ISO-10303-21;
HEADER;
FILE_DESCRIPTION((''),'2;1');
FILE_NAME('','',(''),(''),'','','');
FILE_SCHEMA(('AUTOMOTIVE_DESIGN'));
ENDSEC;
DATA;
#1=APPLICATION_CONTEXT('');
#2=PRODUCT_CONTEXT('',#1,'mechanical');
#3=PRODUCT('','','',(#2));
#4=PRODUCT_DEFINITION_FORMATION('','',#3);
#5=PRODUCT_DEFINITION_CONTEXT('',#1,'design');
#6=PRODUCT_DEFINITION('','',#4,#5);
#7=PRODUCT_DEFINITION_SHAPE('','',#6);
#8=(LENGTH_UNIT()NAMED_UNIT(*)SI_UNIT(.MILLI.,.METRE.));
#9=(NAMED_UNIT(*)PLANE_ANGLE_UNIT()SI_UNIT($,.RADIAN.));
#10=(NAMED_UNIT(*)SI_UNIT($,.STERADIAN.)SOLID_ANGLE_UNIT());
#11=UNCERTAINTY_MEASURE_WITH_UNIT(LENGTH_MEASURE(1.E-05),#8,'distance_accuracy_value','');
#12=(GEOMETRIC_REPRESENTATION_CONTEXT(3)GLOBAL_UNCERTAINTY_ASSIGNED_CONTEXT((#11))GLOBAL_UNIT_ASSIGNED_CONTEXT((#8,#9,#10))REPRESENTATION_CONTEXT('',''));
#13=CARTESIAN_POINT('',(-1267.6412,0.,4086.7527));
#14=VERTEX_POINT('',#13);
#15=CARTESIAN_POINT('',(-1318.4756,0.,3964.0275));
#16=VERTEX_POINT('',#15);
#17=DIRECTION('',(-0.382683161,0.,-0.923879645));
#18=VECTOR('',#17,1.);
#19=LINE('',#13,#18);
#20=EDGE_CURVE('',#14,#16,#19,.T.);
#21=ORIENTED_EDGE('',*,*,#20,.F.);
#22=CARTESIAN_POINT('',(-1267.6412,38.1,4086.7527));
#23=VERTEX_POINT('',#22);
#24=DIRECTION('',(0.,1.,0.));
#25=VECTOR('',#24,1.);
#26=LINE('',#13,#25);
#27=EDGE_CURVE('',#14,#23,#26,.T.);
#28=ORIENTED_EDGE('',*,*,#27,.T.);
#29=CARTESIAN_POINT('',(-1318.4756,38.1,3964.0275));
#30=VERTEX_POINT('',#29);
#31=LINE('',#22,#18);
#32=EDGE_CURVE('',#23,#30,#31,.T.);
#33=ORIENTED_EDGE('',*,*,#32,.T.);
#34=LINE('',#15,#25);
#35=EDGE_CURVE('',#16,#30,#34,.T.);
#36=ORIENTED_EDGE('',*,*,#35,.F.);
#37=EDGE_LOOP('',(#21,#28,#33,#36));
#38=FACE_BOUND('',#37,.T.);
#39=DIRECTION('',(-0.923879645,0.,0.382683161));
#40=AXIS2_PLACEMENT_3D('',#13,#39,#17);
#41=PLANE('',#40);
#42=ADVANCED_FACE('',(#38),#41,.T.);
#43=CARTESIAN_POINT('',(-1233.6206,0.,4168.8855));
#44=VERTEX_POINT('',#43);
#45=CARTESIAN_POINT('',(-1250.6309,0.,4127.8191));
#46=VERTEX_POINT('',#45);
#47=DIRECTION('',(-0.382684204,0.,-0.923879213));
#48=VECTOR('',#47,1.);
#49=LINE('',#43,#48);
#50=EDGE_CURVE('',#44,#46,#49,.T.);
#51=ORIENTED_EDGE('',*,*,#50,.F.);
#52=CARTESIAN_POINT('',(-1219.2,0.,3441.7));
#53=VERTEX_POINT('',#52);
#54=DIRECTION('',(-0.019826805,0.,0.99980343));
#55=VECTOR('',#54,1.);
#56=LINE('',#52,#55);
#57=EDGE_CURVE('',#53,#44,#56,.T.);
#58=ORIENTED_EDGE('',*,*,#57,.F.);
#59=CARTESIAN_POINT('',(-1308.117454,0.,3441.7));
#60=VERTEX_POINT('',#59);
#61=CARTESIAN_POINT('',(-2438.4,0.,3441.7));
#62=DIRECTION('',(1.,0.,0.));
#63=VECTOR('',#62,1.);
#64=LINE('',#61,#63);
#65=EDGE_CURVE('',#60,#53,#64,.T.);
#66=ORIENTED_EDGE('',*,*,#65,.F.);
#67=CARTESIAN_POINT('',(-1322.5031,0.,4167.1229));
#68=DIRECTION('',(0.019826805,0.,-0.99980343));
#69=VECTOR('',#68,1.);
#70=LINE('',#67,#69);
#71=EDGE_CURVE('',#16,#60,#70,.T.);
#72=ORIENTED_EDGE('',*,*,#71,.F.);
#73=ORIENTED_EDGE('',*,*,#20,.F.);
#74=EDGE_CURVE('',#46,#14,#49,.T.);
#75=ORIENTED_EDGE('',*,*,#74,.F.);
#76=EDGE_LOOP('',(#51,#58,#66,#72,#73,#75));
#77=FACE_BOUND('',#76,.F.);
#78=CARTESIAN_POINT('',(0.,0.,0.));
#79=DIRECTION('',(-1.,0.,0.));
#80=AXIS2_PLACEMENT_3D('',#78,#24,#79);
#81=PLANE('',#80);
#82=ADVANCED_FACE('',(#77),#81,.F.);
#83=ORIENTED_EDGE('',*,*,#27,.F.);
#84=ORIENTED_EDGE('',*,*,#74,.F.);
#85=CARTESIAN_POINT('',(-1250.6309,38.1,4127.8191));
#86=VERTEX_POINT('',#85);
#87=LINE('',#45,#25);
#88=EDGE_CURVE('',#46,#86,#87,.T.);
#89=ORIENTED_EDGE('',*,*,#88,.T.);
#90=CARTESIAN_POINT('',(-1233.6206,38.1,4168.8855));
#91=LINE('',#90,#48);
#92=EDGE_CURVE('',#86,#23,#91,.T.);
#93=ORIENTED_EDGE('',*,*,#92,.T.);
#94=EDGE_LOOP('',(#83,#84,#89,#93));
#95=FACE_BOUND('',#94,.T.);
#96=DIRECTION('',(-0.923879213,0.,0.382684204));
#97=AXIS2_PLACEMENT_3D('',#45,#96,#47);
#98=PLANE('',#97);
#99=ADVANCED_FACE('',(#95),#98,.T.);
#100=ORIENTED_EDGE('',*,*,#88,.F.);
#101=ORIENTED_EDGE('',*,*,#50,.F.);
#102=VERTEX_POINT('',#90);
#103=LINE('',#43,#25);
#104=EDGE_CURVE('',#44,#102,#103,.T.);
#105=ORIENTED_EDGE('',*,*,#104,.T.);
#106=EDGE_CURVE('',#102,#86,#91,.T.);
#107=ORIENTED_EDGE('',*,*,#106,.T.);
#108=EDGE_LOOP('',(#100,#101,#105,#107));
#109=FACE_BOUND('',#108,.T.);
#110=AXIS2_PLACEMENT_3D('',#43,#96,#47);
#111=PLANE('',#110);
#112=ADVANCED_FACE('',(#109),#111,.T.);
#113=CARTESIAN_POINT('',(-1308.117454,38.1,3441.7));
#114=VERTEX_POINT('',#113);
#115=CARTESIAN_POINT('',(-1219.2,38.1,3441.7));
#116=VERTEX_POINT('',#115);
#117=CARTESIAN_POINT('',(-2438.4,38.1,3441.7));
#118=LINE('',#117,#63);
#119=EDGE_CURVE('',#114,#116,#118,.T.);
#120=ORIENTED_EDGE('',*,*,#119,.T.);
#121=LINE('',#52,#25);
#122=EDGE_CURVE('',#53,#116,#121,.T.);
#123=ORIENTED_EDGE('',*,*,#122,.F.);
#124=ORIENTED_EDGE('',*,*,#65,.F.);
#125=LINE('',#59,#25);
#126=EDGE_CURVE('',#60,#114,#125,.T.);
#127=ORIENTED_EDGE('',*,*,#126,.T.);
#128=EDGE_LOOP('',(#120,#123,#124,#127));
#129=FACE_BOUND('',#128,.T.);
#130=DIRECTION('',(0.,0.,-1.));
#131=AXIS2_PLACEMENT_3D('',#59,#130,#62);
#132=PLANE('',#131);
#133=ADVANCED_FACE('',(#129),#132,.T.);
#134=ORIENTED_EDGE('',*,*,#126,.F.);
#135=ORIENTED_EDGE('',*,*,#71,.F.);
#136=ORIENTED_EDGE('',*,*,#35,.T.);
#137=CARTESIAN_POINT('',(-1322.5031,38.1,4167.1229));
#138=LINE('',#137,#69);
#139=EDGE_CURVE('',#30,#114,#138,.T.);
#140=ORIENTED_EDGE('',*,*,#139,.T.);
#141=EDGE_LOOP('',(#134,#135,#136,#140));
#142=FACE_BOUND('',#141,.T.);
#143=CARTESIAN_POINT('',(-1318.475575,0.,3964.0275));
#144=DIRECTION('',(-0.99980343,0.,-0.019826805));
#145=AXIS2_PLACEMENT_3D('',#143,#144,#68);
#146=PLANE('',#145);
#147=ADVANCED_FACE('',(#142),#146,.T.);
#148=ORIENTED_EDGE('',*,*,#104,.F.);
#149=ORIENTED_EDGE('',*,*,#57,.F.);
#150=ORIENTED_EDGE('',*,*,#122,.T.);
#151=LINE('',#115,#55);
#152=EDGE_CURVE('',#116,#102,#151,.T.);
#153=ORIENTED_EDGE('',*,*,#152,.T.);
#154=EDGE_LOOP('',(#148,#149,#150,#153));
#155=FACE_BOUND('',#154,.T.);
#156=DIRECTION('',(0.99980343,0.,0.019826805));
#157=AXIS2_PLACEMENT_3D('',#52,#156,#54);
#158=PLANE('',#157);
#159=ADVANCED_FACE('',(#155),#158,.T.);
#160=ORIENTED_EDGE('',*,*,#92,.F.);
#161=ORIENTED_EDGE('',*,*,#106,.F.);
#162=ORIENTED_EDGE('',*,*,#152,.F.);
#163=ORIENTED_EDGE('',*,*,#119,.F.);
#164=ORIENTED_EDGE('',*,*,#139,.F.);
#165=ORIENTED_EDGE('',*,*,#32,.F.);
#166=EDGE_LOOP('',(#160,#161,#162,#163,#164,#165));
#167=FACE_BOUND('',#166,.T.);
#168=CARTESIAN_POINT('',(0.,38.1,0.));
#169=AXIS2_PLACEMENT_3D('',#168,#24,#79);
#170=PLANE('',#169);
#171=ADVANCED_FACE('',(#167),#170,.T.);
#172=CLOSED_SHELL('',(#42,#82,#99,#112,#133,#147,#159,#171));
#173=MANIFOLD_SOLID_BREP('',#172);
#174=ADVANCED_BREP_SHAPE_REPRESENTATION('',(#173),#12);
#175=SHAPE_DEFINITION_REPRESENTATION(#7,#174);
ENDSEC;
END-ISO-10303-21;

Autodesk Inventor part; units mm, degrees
ref_plane "YZ Plane" through (0, 0, 0) normal (1, 0, 0) x (0, 1, 0)
ref_plane "XZ Plane" through (0, 0, 0) normal (0, 1, 0) x (-1, 0, 0)
ref_plane "XY Plane" through (0, 0, 0) normal (0, 0, 1) x (1, 0, 0)
sketch "Sketch1" plane through (0, 0, 0) normal (0, 1, 0) x (-1, 0, 0)
  line L0 (0, 0) -> (0, -1219.2)
  line L1 (0, 0) -> (88.9, 0)
  line L2 (88.9, 0) -> (88.9, -1219.2)
  line L3 (88.9, -1219.2) -> (0, -1219.2)
  line L4 (0, 0) -> (0, 1219.2) construction
  line L5 (0, 1219.2) -> (1219.2, 1219.2) construction
  line L6 (0, 1219.2) -> (0, 3657.6) construction
  line L7 (0, 3657.6) -> (0, 4876.8) construction
  line L8 (0, 4876.8) -> (0, 6096) construction
  line L9 (0, -1219.2) -> (2438.4, -1219.2) construction
  line L10 (0, 6096) -> (2438.4, 6096) construction
  line L11 (2438.4, 6096) -> (2438.4, -1219.2) construction
  line L12 (0, 3657.6) -> (0, 3352.8) construction
  line L13 (0, 3352.8) -> (2438.4, 3352.8) construction
  line L14 (2438.4, 3352.8) -> (1219.2, 3352.8)
  line L15 (1219.2, 3352.8) -> (1219.2, 3263.9)
  line L16 (1219.2, 3263.9) -> (2438.4, 3263.9)
  line L17 (2438.4, 3263.9) -> (2438.4, 3352.8)
  line L18 (0, 6096) -> (862.1046, 6958.1046)
  line L19 (862.1046, 6958.1046) -> (924.9664, 6895.2428)
  line L20 (924.9664, 6895.2428) -> (62.8618, 6033.1382)
  line L21 (62.8618, 6033.1382) -> (0, 6096)
  line L22 (0, 4876.8) -> (1219.2, 4876.8) construction
  line L23 (1219.2, 4876.8) -> (2081.3046, 5738.9046)
  line L24 (1219.2, 1219.2) -> (2081.3046, 357.0954)
  line L25 (2081.3046, 357.0954) -> (2018.4428, 294.2336)
  line L26 (2018.4428, 294.2336) -> (1156.3382, 1156.3382)
  line L27 (1156.3382, 1156.3382) -> (1219.2, 1219.2)
  line L28 (2018.4428, 294.2336) -> (88.9, -1219.2)
  line L29 (2081.3046, 357.0954) -> (2144.1664, 419.9572)
  line L30 (2144.1664, 419.9572) -> (1282.0618, 1282.0618)
  line L31 (1282.0618, 1282.0618) -> (1219.2, 1219.2)
  line L32 (2438.4, 3352.8) -> (2438.4, 3441.7)
  line L33 (2438.4, 3441.7) -> (1219.2, 3441.7)
  line L34 (1219.2, 3441.7) -> (1219.2, 3352.8)
  line L35 (1156.3382, 4939.6618) -> (1282.0618, 4813.9382)
  line L36 (2018.4428, 5801.7664) -> (2144.1664, 5676.0428)
  line L37 (1282.0618, 4813.9382) -> (2144.1664, 5676.0428)
  line L38 (2018.4428, 5801.7664) -> (1156.3382, 4939.6618)
  line L39 (2018.4428, 5801.7664) -> (924.9664, 6895.2428)
  line L40 (62.8618, 6033.1382) -> (1156.3382, 4939.6618)
  line L41 (1233.6206, 4168.8855) -> (1267.6412, 4086.7527)
  line L42 (1263.7078, 2313.9849) -> (1230.0006, 2231.7229)
  arc A0 (862.1046, 6958.1046) -> (0, 6096) centre (431.0523, 6527.0523) ccw
  line L43 (1246.8542, 2272.8539) -> (2375.0183, 1810.583)
  line L44 (2391.8719, 1851.7139) -> (2358.1646, 1769.452)
  line L45 (2391.8719, 1851.7139) -> (1263.7078, 2313.9849)
  line L46 (1230.0006, 2231.7229) -> (2358.1646, 1769.452)
  line L47 (1230.0006, 2231.7229) -> (1219.2, 3263.9)
  line L48 (2144.1664, 419.9572) -> (2391.8719, 1851.7139)
  line L49 (2391.8719, 1851.7139) -> (2438.4, 3263.9)
  line L50 (1219.2, 3441.7) -> (1233.6206, 4168.8855)
  line L51 (1250.6309, 4127.8191) -> (2377.0248, 4594.3867)
  line L52 (2360.0145, 4635.4532) -> (2394.0351, 4553.3203)
  line L53 (2394.0351, 4553.3203) -> (1267.6412, 4086.7527)
  line L54 (2360.0145, 4635.4532) -> (1233.6206, 4168.8855)
  line L55 (2394.0351, 4553.3203) -> (2144.1664, 5676.0428)
  line L56 (2438.4, 3441.7) -> (2394.0351, 4553.3203)
  line L57 (2144.1664, 5676.0428) -> (2057.3895, 5656.7301)
  line L58 (2394.0351, 4553.3203) -> (2305.2058, 4549.7751)
  line L59 (2394.0351, 4553.3203) -> (2307.2582, 4534.0076)
  line L60 (2307.2582, 4534.0076) -> (2057.3895, 5656.7301)
  line L61 (2438.4, 3441.7) -> (2349.5707, 3438.1548)
  line L62 (2349.5707, 3438.1548) -> (2305.2058, 4549.7751)
  line L63 (1219.2, 3441.7) -> (1308.0825, 3439.9374)
  line L64 (1233.6206, 4168.8855) -> (1322.5031, 4167.1229)
  line L65 (1322.5031, 4167.1229) -> (1308.0825, 3439.9374)
  line L66 (2018.4428, 5801.7664) -> (1955.581, 5738.9046)
  line L67 (1955.581, 5738.9046) -> (862.1046, 6832.381)
  line L68 (924.9664, 6895.2428) -> (862.1046, 6832.381)
  line L69 (62.8618, 6033.1382) -> (125.7236, 6096)
  line L70 (62.8618, 6033.1382) -> (125.7236, 6096)
  line L71 (125.7236, 6096) -> (1219.2, 5002.5236)
  line L72 (1156.3382, 1156.3382) -> (0, 0)
  line L73 (0, 0) -> (62.8618, -62.8618)
  line L74 (1156.3382, 1156.3382) -> (1219.2, 1093.4764)
  line L75 (1219.2, 1093.4764) -> (62.8618, -62.8618)
  line L76 (2018.4428, 294.2336) -> (1963.5776, 364.1837)
  line L77 (88.9, -1219.2) -> (34.0348, -1149.2499)
  line L78 (34.0348, -1149.2499) -> (1963.5776, 364.1837)
  line L79 (2144.1664, 419.9572) -> (2056.5677, 435.1125)
  line L80 (2391.8719, 1851.7139) -> (2304.2732, 1866.8692)
  line L81 (2391.8719, 1851.7139) -> (2303.0201, 1854.6414)
  line L82 (2304.2732, 1866.8692) -> (2056.5677, 435.1125)
  line L83 (1230.0006, 2231.7229) -> (1318.8957, 2232.6531)
  line L84 (1219.2, 3263.9) -> (1308.0951, 3264.8302)
  line L85 (1308.0951, 3264.8302) -> (1318.8957, 2232.6531)
  line L86 (2438.4, 3263.9) -> (2349.5482, 3266.8275)
  line L87 (2349.5482, 3266.8275) -> (2303.0201, 1854.6414)
  line L88 (88.9, 0) -> (125.7236, 0)
  line L89 (1233.6206, 4168.8855) -> (1219.2, 4876.8)
  line L90 (1233.6206, 4168.8855) -> (1322.5022, 4170.6961)
  line L91 (1219.2, 4876.8) -> (1308.0816, 4878.6106)
  line L92 (1308.0816, 4878.6106) -> (1322.5022, 4170.6961)
  line L93 (1282.0618, 4813.9382) -> (1309.9674, 4786.0326)
  line L94 (1267.6412, 4086.7527) -> (1318.4756, 3964.0275)
  line L95 (2360.0145, 4635.4532) -> (2374.4273, 4641.4231)
  line L96 (1230.0006, 2231.7229) -> (1219.2, 1219.2)
  line L97 (1230.0006, 2231.7229) -> (1318.8955, 2230.7747)
  line L98 (1219.2, 1219.2) -> (1308.0949, 1218.2518)
  line L99 (1308.0949, 1218.2518) -> (1318.8955, 2230.7747)
  line L100 (1282.0618, 1282.0618) -> (1309.0636, 1309.0636)
  line L101 (1263.7078, 2313.9849) -> (1316.7428, 2438.4)
  line L102 (2358.1646, 1769.452) -> (2376.5379, 1763.082)
  point P0 (1770.957, 2057.4547)
  point P1 (1955.1236, 357.5528)
  point P2 (88.9, -1106.2164)
  point P3 (2292.1025, 1796.5213)
  point P4 (2067.2525, 496.8711)
  point P5 (1318.5187, 2195.4522)
  point P6 (1308.1049, 3263.9)
  point P7 (2349.4518, 3263.9)
  point P8 (2304.1085, 1887.6754)
  point P9 (2306.5112, 4517.0667)
  point P10 (2349.4292, 3441.7)
  point P11 (1308.1175, 3441.7)
  dimension "d0" = 1219.2
  dimension "d2" = 1219.2
  dimension "d3" = 1219.2
  dimension "d16" = 2438.4
  dimension "d17" = 1219.2
  dimension "d18" = 1219.2
  dimension "d20" = 2438.4
  dimension "d21" = 304.8
  dimension "d22" = 1219.2
  dimension "d23" = 88.9
  dimension "d24" = 1219.2
  dimension "d25" = 45
  dimension "d26" = 88.9
  dimension "d27" = 1219.2
  dimension "d28" = 1219.2
  dimension "d29" = 1219.2
  dimension "d31" = 1219.2
  dimension "d32" = 88.9
  dimension "d33" = 88.9
  dimension "d34" = 88.9
  dimension "d35" = 177.8
  dimension "d36" = 177.8
  dimension "d38" = 88.9
  dimension "d39" = 88.9
  dimension "d43" = 1219.2
  dimension "d44" = 88.9
  dimension "d45" = 1219.2
  dimension "d46" = 88.9
  dimension "d47" = 88.9
  dimension "d48" = 88.9
  dimension "d49" = 88.9
  dimension "d50" = 88.9
  dimension "d51" = 88.9
  dimension "d54" = 88.9
  dimension "d55" = 88.9
  dimension "d57" = 88.9
  dimension "d58" = 88.9
  dimension "d59" = 88.9
  dimension "d60" = 88.9
  dimension "d61" = 88.9
  dimension "d64" = 88.9
  dimension "d65" = 88.9
  dimension "d66" = 88.9
  dimension "d69" = 88.9
  dimension "d70" = 88.9
  dimension "d71" = 88.9
  dimension "d72" = 88.9
extrude "Extrusion1" add sketch "Sketch1" along normal blind 38.1 contours L50 L41 L94 L65 L33
properties part number "S_2x4x28.635"
